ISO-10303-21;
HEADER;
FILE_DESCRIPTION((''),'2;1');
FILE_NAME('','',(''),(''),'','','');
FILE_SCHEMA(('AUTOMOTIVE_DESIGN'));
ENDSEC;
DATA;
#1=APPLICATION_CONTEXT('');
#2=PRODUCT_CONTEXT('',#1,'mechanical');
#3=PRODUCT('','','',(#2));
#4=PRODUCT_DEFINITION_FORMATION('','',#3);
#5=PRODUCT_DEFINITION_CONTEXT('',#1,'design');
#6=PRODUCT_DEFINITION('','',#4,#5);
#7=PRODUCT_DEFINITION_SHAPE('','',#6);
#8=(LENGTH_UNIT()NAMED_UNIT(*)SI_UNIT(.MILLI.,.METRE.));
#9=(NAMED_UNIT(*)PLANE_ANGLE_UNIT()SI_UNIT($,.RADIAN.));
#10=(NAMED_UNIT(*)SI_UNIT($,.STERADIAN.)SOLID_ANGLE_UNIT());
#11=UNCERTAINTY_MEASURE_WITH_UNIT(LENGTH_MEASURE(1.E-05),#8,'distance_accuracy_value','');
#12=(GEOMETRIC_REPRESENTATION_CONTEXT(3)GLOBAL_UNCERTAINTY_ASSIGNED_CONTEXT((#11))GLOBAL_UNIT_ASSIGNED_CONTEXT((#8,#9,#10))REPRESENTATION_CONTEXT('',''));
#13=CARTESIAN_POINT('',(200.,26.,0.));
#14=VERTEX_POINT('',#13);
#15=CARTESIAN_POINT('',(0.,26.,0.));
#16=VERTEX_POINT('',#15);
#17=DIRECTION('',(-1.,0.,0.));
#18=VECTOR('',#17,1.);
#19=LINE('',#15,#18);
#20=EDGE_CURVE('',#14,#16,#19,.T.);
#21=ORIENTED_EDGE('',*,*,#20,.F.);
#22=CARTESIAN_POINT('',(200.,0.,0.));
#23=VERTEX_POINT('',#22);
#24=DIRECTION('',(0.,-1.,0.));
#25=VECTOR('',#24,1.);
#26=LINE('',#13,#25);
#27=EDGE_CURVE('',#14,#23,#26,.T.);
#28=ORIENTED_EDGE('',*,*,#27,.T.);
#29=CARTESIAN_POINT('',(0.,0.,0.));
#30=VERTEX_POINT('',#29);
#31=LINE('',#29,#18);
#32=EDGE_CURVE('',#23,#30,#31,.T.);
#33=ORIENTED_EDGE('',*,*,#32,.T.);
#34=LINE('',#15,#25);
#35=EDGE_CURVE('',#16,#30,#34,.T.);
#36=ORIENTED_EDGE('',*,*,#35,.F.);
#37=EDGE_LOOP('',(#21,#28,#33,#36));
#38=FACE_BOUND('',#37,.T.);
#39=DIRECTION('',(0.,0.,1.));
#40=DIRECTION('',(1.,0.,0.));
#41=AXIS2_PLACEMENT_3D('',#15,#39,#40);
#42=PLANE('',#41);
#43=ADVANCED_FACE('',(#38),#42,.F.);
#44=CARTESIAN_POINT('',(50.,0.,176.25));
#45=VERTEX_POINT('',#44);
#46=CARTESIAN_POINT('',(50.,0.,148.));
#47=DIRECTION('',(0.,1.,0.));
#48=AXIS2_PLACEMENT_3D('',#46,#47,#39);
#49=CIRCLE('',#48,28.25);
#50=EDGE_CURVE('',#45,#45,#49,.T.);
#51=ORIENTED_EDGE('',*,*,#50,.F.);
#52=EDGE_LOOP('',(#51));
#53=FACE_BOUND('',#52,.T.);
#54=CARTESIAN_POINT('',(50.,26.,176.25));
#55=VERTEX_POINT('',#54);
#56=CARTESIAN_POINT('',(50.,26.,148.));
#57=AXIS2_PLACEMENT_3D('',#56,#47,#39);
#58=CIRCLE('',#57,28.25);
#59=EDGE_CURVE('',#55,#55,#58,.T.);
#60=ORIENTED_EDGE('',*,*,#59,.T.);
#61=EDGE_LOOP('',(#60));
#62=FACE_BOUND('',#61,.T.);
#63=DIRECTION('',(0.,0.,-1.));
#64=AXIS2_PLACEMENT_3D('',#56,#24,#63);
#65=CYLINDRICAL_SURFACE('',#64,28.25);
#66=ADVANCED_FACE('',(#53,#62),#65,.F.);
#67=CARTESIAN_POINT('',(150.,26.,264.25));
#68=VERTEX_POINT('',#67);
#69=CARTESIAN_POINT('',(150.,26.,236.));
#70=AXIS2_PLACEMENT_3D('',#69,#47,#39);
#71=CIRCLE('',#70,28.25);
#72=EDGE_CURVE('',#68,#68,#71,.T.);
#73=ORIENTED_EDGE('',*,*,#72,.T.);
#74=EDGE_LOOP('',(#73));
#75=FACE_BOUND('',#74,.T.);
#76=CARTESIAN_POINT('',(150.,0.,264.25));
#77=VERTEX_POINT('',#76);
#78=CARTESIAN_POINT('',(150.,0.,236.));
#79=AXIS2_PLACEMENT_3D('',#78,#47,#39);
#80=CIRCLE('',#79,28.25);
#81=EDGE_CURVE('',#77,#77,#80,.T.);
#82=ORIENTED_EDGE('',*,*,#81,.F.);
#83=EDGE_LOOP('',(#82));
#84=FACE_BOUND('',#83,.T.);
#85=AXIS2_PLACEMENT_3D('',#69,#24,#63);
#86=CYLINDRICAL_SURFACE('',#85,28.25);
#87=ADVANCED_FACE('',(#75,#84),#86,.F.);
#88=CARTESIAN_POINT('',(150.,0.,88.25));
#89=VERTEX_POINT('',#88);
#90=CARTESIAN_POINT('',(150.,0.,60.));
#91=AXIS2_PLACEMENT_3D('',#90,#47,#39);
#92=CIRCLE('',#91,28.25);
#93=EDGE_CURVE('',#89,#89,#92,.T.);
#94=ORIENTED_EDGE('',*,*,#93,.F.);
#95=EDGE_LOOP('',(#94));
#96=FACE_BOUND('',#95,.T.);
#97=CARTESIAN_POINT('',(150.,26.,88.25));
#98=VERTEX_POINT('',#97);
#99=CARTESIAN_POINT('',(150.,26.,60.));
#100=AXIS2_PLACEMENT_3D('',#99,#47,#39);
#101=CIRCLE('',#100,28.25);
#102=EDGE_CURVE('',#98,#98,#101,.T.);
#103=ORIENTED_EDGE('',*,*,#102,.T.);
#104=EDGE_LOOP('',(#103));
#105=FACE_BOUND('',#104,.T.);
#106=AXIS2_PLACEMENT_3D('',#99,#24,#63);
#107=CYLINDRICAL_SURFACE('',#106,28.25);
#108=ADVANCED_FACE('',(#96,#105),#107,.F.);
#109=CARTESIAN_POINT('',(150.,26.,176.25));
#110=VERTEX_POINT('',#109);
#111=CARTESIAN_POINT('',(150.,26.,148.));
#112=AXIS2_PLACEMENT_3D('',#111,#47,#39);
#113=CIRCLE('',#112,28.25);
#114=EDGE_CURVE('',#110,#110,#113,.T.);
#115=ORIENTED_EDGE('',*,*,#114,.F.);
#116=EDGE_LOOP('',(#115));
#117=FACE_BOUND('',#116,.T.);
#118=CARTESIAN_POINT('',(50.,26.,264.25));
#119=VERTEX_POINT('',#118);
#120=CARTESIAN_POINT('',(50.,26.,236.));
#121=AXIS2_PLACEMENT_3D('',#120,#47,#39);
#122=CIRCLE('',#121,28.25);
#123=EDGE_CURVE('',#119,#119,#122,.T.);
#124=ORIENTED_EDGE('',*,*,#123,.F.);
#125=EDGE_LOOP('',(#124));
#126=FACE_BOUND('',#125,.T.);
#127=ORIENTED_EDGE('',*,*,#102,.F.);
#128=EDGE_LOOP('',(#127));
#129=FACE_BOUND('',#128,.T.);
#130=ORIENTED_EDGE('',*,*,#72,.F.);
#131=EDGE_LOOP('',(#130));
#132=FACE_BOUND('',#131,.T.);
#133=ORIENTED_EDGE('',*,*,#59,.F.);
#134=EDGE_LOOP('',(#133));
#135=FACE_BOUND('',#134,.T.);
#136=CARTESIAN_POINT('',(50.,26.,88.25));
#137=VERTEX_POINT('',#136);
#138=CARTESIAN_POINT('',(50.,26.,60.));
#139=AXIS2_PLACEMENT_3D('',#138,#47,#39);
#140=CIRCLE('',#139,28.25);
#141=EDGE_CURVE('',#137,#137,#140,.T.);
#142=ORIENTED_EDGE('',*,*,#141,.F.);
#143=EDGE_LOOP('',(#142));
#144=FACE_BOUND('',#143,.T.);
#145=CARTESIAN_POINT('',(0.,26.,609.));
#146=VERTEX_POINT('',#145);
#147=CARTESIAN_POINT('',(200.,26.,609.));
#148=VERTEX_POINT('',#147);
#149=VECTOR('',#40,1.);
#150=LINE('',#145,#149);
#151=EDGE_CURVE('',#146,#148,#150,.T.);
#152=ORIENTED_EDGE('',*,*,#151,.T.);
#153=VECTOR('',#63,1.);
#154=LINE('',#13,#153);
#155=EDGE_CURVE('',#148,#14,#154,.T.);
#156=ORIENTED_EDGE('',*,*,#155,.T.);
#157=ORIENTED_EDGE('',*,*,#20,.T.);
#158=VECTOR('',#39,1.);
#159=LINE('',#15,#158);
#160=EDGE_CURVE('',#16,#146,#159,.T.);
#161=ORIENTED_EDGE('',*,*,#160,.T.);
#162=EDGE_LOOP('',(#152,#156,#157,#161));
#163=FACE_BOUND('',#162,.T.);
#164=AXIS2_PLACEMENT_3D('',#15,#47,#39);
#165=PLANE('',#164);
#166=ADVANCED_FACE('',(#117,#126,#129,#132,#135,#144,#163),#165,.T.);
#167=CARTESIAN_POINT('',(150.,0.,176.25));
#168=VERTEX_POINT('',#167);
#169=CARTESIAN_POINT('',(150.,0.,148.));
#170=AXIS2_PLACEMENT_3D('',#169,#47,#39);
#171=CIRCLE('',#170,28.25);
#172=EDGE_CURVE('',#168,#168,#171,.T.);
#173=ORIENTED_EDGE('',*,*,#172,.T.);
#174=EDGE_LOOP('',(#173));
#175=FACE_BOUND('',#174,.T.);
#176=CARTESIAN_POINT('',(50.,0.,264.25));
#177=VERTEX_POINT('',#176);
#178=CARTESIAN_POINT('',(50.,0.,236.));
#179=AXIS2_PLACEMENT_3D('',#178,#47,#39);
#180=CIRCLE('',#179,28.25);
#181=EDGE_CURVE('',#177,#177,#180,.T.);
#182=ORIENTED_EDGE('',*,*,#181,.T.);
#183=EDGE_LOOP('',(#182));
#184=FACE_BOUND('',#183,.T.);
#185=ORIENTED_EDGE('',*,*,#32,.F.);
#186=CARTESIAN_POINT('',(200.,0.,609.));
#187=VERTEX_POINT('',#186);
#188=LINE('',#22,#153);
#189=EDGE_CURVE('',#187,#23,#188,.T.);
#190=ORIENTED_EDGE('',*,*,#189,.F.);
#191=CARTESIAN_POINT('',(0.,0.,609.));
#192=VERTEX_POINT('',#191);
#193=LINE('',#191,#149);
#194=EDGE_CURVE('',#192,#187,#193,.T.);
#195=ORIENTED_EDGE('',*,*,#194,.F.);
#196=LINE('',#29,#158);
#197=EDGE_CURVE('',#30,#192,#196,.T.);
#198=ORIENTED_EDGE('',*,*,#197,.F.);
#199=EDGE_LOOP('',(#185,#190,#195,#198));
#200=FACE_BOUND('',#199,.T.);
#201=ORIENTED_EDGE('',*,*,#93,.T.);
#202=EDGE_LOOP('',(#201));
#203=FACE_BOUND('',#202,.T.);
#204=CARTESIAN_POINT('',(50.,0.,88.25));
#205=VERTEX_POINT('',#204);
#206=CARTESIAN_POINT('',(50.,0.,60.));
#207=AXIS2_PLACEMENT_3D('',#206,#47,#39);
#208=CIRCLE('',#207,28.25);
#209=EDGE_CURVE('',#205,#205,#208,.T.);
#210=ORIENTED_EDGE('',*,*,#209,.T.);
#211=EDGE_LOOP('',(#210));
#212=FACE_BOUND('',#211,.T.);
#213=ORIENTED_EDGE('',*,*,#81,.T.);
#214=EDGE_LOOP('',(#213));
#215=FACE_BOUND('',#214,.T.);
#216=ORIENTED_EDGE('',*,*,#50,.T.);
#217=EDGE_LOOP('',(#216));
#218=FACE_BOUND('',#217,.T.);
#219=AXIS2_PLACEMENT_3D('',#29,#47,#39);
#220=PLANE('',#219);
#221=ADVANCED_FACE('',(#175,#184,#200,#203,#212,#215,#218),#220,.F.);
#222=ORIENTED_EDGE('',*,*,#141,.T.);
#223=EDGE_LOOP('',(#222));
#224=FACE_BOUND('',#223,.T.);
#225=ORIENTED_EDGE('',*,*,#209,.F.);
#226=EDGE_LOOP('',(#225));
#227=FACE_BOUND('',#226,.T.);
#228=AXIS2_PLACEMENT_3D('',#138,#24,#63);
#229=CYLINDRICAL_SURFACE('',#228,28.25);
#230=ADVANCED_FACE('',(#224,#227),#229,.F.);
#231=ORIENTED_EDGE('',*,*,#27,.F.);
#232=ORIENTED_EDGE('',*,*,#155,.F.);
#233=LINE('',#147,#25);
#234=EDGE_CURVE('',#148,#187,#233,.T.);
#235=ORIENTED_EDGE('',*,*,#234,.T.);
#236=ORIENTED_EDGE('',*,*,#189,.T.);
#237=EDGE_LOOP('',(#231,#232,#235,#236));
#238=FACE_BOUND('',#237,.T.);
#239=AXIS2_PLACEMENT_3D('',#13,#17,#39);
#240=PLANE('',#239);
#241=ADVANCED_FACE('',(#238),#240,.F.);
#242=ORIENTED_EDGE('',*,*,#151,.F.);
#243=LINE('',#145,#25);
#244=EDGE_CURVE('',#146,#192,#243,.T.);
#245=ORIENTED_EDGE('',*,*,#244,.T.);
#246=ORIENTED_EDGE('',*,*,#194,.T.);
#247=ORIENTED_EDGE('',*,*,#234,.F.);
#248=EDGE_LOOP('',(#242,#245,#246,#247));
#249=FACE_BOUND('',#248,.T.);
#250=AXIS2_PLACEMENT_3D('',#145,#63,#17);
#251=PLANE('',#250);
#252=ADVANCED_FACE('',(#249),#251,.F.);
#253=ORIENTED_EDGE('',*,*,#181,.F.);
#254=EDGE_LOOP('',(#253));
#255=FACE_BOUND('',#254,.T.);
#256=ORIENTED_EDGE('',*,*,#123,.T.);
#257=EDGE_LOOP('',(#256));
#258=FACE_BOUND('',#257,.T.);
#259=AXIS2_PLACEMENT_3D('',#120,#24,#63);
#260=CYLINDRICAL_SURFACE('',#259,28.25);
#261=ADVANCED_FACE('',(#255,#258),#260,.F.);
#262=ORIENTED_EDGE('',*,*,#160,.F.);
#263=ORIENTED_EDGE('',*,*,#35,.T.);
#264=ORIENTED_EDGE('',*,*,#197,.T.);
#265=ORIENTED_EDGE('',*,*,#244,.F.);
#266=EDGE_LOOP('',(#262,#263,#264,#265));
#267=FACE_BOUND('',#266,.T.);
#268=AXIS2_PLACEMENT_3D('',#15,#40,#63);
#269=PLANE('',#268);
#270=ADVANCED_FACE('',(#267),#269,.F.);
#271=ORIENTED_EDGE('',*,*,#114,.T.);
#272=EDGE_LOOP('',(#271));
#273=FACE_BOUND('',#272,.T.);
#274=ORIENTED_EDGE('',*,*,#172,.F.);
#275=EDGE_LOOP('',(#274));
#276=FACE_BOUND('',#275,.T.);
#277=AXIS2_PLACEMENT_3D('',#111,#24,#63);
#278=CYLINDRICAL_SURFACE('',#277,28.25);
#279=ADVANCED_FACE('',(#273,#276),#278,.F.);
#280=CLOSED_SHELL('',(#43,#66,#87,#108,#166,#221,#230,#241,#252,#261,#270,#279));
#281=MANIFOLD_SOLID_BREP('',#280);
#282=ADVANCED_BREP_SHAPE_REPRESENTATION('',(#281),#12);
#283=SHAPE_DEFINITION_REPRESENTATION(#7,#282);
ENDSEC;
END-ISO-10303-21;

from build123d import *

# Parameters (mm, degrees)
SKETCH1_W           = 200
SKETCH1_H           = 609
SKETCH1_R           = 28.25
BOSS_EXTRUDE1_DEPTH = 26


with BuildPart() as part:
    # Sketch1 → Boss-Extrude1 (new body)
    with BuildSketch(Plane(origin=(0, 0, 0), x_dir=(1, 0, 0), z_dir=(0, 1, 0))):
        with Locations((100, -304.5)):
            Rectangle(SKETCH1_W, SKETCH1_H)
        with Locations((50, -60)):
            Circle(SKETCH1_R, mode=Mode.SUBTRACT)
        with Locations((150, -60)):
            Circle(SKETCH1_R, mode=Mode.SUBTRACT)
        with Locations((50, -148)):
            Circle(SKETCH1_R, mode=Mode.SUBTRACT)
        with Locations((150, -148)):
            Circle(SKETCH1_R, mode=Mode.SUBTRACT)
        with Locations((50, -236)):
            Circle(SKETCH1_R, mode=Mode.SUBTRACT)
        with Locations((150, -236)):
            Circle(SKETCH1_R, mode=Mode.SUBTRACT)
    extrude(amount=BOSS_EXTRUDE1_DEPTH)


solid = part.part
